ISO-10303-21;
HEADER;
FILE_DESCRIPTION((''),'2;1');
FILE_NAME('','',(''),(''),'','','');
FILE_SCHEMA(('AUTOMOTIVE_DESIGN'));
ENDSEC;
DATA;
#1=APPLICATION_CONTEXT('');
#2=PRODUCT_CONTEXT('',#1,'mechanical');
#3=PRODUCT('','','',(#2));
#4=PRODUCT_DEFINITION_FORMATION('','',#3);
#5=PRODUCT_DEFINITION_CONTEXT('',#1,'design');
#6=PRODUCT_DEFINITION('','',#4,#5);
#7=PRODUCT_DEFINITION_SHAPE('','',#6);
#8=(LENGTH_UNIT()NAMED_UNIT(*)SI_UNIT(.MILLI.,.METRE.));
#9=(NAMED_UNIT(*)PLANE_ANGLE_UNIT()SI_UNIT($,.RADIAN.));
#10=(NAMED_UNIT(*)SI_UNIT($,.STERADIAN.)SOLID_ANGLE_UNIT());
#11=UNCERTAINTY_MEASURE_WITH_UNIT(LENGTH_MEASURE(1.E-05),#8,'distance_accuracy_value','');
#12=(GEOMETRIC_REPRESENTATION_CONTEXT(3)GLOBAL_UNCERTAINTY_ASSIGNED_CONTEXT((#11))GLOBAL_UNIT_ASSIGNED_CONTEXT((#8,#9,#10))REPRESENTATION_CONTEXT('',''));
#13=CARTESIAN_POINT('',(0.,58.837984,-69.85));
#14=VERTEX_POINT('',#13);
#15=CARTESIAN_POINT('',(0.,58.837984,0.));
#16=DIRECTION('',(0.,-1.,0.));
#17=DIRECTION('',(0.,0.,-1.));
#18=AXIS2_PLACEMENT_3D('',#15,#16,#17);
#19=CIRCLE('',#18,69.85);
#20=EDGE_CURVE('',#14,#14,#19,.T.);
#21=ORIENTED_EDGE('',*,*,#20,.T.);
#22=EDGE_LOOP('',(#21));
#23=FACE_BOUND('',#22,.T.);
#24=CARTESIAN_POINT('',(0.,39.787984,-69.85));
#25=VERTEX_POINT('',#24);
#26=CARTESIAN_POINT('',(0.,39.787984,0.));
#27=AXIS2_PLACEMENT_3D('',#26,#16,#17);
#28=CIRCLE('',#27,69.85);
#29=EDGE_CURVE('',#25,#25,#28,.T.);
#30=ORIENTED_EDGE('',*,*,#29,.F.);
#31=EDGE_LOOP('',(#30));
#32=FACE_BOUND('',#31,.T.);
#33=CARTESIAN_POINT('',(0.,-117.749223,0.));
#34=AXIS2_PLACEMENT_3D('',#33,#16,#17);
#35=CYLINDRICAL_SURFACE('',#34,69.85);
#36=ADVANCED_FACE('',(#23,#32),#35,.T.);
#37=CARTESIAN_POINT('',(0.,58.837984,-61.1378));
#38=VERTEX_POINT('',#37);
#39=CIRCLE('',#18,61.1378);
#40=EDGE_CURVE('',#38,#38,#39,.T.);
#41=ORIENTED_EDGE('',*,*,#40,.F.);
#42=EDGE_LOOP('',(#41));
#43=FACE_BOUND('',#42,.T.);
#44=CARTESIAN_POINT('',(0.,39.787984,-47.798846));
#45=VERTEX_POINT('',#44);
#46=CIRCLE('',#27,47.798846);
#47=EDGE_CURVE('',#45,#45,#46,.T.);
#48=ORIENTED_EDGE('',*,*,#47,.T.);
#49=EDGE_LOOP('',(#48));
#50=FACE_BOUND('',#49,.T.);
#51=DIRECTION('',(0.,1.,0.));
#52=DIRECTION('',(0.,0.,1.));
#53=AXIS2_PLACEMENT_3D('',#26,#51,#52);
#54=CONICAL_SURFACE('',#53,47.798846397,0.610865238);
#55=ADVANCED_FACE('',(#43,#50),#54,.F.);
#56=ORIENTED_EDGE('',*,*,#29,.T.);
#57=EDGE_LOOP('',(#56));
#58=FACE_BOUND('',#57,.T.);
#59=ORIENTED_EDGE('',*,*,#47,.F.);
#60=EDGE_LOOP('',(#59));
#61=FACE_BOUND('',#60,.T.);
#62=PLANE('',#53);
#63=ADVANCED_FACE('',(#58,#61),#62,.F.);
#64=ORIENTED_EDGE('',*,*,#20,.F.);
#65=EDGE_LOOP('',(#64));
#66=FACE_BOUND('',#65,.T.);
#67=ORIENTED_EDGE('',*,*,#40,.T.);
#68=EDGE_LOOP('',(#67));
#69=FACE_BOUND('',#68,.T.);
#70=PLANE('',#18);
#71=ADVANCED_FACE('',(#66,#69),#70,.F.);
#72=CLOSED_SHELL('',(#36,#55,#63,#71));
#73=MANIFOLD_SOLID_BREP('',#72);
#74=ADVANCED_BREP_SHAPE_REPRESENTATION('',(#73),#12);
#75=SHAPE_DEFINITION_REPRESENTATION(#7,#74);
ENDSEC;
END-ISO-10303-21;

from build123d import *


with BuildPart() as part:
    # Sketch1 → Revolve1 (revolve)
    with BuildSketch(Plane.XY, mode=Mode.PRIVATE) as revolve1_sk:
        Polygon((-53.469872334, 39.7879841), (-47.798846397, 39.7879841), (-61.1378, 58.8379841), (-69.85, 58.8379841), (-69.85, 39.7879841), (-63.1204351, 39.7879841), align=None)
    revolve(revolve1_sk.sketch.rotate(Axis((0, -117.749222998, 0), (0, 1, 0)), 270), axis=Axis((0, -117.749222998, 0), (0, 1, 0)))


solid = part.part
